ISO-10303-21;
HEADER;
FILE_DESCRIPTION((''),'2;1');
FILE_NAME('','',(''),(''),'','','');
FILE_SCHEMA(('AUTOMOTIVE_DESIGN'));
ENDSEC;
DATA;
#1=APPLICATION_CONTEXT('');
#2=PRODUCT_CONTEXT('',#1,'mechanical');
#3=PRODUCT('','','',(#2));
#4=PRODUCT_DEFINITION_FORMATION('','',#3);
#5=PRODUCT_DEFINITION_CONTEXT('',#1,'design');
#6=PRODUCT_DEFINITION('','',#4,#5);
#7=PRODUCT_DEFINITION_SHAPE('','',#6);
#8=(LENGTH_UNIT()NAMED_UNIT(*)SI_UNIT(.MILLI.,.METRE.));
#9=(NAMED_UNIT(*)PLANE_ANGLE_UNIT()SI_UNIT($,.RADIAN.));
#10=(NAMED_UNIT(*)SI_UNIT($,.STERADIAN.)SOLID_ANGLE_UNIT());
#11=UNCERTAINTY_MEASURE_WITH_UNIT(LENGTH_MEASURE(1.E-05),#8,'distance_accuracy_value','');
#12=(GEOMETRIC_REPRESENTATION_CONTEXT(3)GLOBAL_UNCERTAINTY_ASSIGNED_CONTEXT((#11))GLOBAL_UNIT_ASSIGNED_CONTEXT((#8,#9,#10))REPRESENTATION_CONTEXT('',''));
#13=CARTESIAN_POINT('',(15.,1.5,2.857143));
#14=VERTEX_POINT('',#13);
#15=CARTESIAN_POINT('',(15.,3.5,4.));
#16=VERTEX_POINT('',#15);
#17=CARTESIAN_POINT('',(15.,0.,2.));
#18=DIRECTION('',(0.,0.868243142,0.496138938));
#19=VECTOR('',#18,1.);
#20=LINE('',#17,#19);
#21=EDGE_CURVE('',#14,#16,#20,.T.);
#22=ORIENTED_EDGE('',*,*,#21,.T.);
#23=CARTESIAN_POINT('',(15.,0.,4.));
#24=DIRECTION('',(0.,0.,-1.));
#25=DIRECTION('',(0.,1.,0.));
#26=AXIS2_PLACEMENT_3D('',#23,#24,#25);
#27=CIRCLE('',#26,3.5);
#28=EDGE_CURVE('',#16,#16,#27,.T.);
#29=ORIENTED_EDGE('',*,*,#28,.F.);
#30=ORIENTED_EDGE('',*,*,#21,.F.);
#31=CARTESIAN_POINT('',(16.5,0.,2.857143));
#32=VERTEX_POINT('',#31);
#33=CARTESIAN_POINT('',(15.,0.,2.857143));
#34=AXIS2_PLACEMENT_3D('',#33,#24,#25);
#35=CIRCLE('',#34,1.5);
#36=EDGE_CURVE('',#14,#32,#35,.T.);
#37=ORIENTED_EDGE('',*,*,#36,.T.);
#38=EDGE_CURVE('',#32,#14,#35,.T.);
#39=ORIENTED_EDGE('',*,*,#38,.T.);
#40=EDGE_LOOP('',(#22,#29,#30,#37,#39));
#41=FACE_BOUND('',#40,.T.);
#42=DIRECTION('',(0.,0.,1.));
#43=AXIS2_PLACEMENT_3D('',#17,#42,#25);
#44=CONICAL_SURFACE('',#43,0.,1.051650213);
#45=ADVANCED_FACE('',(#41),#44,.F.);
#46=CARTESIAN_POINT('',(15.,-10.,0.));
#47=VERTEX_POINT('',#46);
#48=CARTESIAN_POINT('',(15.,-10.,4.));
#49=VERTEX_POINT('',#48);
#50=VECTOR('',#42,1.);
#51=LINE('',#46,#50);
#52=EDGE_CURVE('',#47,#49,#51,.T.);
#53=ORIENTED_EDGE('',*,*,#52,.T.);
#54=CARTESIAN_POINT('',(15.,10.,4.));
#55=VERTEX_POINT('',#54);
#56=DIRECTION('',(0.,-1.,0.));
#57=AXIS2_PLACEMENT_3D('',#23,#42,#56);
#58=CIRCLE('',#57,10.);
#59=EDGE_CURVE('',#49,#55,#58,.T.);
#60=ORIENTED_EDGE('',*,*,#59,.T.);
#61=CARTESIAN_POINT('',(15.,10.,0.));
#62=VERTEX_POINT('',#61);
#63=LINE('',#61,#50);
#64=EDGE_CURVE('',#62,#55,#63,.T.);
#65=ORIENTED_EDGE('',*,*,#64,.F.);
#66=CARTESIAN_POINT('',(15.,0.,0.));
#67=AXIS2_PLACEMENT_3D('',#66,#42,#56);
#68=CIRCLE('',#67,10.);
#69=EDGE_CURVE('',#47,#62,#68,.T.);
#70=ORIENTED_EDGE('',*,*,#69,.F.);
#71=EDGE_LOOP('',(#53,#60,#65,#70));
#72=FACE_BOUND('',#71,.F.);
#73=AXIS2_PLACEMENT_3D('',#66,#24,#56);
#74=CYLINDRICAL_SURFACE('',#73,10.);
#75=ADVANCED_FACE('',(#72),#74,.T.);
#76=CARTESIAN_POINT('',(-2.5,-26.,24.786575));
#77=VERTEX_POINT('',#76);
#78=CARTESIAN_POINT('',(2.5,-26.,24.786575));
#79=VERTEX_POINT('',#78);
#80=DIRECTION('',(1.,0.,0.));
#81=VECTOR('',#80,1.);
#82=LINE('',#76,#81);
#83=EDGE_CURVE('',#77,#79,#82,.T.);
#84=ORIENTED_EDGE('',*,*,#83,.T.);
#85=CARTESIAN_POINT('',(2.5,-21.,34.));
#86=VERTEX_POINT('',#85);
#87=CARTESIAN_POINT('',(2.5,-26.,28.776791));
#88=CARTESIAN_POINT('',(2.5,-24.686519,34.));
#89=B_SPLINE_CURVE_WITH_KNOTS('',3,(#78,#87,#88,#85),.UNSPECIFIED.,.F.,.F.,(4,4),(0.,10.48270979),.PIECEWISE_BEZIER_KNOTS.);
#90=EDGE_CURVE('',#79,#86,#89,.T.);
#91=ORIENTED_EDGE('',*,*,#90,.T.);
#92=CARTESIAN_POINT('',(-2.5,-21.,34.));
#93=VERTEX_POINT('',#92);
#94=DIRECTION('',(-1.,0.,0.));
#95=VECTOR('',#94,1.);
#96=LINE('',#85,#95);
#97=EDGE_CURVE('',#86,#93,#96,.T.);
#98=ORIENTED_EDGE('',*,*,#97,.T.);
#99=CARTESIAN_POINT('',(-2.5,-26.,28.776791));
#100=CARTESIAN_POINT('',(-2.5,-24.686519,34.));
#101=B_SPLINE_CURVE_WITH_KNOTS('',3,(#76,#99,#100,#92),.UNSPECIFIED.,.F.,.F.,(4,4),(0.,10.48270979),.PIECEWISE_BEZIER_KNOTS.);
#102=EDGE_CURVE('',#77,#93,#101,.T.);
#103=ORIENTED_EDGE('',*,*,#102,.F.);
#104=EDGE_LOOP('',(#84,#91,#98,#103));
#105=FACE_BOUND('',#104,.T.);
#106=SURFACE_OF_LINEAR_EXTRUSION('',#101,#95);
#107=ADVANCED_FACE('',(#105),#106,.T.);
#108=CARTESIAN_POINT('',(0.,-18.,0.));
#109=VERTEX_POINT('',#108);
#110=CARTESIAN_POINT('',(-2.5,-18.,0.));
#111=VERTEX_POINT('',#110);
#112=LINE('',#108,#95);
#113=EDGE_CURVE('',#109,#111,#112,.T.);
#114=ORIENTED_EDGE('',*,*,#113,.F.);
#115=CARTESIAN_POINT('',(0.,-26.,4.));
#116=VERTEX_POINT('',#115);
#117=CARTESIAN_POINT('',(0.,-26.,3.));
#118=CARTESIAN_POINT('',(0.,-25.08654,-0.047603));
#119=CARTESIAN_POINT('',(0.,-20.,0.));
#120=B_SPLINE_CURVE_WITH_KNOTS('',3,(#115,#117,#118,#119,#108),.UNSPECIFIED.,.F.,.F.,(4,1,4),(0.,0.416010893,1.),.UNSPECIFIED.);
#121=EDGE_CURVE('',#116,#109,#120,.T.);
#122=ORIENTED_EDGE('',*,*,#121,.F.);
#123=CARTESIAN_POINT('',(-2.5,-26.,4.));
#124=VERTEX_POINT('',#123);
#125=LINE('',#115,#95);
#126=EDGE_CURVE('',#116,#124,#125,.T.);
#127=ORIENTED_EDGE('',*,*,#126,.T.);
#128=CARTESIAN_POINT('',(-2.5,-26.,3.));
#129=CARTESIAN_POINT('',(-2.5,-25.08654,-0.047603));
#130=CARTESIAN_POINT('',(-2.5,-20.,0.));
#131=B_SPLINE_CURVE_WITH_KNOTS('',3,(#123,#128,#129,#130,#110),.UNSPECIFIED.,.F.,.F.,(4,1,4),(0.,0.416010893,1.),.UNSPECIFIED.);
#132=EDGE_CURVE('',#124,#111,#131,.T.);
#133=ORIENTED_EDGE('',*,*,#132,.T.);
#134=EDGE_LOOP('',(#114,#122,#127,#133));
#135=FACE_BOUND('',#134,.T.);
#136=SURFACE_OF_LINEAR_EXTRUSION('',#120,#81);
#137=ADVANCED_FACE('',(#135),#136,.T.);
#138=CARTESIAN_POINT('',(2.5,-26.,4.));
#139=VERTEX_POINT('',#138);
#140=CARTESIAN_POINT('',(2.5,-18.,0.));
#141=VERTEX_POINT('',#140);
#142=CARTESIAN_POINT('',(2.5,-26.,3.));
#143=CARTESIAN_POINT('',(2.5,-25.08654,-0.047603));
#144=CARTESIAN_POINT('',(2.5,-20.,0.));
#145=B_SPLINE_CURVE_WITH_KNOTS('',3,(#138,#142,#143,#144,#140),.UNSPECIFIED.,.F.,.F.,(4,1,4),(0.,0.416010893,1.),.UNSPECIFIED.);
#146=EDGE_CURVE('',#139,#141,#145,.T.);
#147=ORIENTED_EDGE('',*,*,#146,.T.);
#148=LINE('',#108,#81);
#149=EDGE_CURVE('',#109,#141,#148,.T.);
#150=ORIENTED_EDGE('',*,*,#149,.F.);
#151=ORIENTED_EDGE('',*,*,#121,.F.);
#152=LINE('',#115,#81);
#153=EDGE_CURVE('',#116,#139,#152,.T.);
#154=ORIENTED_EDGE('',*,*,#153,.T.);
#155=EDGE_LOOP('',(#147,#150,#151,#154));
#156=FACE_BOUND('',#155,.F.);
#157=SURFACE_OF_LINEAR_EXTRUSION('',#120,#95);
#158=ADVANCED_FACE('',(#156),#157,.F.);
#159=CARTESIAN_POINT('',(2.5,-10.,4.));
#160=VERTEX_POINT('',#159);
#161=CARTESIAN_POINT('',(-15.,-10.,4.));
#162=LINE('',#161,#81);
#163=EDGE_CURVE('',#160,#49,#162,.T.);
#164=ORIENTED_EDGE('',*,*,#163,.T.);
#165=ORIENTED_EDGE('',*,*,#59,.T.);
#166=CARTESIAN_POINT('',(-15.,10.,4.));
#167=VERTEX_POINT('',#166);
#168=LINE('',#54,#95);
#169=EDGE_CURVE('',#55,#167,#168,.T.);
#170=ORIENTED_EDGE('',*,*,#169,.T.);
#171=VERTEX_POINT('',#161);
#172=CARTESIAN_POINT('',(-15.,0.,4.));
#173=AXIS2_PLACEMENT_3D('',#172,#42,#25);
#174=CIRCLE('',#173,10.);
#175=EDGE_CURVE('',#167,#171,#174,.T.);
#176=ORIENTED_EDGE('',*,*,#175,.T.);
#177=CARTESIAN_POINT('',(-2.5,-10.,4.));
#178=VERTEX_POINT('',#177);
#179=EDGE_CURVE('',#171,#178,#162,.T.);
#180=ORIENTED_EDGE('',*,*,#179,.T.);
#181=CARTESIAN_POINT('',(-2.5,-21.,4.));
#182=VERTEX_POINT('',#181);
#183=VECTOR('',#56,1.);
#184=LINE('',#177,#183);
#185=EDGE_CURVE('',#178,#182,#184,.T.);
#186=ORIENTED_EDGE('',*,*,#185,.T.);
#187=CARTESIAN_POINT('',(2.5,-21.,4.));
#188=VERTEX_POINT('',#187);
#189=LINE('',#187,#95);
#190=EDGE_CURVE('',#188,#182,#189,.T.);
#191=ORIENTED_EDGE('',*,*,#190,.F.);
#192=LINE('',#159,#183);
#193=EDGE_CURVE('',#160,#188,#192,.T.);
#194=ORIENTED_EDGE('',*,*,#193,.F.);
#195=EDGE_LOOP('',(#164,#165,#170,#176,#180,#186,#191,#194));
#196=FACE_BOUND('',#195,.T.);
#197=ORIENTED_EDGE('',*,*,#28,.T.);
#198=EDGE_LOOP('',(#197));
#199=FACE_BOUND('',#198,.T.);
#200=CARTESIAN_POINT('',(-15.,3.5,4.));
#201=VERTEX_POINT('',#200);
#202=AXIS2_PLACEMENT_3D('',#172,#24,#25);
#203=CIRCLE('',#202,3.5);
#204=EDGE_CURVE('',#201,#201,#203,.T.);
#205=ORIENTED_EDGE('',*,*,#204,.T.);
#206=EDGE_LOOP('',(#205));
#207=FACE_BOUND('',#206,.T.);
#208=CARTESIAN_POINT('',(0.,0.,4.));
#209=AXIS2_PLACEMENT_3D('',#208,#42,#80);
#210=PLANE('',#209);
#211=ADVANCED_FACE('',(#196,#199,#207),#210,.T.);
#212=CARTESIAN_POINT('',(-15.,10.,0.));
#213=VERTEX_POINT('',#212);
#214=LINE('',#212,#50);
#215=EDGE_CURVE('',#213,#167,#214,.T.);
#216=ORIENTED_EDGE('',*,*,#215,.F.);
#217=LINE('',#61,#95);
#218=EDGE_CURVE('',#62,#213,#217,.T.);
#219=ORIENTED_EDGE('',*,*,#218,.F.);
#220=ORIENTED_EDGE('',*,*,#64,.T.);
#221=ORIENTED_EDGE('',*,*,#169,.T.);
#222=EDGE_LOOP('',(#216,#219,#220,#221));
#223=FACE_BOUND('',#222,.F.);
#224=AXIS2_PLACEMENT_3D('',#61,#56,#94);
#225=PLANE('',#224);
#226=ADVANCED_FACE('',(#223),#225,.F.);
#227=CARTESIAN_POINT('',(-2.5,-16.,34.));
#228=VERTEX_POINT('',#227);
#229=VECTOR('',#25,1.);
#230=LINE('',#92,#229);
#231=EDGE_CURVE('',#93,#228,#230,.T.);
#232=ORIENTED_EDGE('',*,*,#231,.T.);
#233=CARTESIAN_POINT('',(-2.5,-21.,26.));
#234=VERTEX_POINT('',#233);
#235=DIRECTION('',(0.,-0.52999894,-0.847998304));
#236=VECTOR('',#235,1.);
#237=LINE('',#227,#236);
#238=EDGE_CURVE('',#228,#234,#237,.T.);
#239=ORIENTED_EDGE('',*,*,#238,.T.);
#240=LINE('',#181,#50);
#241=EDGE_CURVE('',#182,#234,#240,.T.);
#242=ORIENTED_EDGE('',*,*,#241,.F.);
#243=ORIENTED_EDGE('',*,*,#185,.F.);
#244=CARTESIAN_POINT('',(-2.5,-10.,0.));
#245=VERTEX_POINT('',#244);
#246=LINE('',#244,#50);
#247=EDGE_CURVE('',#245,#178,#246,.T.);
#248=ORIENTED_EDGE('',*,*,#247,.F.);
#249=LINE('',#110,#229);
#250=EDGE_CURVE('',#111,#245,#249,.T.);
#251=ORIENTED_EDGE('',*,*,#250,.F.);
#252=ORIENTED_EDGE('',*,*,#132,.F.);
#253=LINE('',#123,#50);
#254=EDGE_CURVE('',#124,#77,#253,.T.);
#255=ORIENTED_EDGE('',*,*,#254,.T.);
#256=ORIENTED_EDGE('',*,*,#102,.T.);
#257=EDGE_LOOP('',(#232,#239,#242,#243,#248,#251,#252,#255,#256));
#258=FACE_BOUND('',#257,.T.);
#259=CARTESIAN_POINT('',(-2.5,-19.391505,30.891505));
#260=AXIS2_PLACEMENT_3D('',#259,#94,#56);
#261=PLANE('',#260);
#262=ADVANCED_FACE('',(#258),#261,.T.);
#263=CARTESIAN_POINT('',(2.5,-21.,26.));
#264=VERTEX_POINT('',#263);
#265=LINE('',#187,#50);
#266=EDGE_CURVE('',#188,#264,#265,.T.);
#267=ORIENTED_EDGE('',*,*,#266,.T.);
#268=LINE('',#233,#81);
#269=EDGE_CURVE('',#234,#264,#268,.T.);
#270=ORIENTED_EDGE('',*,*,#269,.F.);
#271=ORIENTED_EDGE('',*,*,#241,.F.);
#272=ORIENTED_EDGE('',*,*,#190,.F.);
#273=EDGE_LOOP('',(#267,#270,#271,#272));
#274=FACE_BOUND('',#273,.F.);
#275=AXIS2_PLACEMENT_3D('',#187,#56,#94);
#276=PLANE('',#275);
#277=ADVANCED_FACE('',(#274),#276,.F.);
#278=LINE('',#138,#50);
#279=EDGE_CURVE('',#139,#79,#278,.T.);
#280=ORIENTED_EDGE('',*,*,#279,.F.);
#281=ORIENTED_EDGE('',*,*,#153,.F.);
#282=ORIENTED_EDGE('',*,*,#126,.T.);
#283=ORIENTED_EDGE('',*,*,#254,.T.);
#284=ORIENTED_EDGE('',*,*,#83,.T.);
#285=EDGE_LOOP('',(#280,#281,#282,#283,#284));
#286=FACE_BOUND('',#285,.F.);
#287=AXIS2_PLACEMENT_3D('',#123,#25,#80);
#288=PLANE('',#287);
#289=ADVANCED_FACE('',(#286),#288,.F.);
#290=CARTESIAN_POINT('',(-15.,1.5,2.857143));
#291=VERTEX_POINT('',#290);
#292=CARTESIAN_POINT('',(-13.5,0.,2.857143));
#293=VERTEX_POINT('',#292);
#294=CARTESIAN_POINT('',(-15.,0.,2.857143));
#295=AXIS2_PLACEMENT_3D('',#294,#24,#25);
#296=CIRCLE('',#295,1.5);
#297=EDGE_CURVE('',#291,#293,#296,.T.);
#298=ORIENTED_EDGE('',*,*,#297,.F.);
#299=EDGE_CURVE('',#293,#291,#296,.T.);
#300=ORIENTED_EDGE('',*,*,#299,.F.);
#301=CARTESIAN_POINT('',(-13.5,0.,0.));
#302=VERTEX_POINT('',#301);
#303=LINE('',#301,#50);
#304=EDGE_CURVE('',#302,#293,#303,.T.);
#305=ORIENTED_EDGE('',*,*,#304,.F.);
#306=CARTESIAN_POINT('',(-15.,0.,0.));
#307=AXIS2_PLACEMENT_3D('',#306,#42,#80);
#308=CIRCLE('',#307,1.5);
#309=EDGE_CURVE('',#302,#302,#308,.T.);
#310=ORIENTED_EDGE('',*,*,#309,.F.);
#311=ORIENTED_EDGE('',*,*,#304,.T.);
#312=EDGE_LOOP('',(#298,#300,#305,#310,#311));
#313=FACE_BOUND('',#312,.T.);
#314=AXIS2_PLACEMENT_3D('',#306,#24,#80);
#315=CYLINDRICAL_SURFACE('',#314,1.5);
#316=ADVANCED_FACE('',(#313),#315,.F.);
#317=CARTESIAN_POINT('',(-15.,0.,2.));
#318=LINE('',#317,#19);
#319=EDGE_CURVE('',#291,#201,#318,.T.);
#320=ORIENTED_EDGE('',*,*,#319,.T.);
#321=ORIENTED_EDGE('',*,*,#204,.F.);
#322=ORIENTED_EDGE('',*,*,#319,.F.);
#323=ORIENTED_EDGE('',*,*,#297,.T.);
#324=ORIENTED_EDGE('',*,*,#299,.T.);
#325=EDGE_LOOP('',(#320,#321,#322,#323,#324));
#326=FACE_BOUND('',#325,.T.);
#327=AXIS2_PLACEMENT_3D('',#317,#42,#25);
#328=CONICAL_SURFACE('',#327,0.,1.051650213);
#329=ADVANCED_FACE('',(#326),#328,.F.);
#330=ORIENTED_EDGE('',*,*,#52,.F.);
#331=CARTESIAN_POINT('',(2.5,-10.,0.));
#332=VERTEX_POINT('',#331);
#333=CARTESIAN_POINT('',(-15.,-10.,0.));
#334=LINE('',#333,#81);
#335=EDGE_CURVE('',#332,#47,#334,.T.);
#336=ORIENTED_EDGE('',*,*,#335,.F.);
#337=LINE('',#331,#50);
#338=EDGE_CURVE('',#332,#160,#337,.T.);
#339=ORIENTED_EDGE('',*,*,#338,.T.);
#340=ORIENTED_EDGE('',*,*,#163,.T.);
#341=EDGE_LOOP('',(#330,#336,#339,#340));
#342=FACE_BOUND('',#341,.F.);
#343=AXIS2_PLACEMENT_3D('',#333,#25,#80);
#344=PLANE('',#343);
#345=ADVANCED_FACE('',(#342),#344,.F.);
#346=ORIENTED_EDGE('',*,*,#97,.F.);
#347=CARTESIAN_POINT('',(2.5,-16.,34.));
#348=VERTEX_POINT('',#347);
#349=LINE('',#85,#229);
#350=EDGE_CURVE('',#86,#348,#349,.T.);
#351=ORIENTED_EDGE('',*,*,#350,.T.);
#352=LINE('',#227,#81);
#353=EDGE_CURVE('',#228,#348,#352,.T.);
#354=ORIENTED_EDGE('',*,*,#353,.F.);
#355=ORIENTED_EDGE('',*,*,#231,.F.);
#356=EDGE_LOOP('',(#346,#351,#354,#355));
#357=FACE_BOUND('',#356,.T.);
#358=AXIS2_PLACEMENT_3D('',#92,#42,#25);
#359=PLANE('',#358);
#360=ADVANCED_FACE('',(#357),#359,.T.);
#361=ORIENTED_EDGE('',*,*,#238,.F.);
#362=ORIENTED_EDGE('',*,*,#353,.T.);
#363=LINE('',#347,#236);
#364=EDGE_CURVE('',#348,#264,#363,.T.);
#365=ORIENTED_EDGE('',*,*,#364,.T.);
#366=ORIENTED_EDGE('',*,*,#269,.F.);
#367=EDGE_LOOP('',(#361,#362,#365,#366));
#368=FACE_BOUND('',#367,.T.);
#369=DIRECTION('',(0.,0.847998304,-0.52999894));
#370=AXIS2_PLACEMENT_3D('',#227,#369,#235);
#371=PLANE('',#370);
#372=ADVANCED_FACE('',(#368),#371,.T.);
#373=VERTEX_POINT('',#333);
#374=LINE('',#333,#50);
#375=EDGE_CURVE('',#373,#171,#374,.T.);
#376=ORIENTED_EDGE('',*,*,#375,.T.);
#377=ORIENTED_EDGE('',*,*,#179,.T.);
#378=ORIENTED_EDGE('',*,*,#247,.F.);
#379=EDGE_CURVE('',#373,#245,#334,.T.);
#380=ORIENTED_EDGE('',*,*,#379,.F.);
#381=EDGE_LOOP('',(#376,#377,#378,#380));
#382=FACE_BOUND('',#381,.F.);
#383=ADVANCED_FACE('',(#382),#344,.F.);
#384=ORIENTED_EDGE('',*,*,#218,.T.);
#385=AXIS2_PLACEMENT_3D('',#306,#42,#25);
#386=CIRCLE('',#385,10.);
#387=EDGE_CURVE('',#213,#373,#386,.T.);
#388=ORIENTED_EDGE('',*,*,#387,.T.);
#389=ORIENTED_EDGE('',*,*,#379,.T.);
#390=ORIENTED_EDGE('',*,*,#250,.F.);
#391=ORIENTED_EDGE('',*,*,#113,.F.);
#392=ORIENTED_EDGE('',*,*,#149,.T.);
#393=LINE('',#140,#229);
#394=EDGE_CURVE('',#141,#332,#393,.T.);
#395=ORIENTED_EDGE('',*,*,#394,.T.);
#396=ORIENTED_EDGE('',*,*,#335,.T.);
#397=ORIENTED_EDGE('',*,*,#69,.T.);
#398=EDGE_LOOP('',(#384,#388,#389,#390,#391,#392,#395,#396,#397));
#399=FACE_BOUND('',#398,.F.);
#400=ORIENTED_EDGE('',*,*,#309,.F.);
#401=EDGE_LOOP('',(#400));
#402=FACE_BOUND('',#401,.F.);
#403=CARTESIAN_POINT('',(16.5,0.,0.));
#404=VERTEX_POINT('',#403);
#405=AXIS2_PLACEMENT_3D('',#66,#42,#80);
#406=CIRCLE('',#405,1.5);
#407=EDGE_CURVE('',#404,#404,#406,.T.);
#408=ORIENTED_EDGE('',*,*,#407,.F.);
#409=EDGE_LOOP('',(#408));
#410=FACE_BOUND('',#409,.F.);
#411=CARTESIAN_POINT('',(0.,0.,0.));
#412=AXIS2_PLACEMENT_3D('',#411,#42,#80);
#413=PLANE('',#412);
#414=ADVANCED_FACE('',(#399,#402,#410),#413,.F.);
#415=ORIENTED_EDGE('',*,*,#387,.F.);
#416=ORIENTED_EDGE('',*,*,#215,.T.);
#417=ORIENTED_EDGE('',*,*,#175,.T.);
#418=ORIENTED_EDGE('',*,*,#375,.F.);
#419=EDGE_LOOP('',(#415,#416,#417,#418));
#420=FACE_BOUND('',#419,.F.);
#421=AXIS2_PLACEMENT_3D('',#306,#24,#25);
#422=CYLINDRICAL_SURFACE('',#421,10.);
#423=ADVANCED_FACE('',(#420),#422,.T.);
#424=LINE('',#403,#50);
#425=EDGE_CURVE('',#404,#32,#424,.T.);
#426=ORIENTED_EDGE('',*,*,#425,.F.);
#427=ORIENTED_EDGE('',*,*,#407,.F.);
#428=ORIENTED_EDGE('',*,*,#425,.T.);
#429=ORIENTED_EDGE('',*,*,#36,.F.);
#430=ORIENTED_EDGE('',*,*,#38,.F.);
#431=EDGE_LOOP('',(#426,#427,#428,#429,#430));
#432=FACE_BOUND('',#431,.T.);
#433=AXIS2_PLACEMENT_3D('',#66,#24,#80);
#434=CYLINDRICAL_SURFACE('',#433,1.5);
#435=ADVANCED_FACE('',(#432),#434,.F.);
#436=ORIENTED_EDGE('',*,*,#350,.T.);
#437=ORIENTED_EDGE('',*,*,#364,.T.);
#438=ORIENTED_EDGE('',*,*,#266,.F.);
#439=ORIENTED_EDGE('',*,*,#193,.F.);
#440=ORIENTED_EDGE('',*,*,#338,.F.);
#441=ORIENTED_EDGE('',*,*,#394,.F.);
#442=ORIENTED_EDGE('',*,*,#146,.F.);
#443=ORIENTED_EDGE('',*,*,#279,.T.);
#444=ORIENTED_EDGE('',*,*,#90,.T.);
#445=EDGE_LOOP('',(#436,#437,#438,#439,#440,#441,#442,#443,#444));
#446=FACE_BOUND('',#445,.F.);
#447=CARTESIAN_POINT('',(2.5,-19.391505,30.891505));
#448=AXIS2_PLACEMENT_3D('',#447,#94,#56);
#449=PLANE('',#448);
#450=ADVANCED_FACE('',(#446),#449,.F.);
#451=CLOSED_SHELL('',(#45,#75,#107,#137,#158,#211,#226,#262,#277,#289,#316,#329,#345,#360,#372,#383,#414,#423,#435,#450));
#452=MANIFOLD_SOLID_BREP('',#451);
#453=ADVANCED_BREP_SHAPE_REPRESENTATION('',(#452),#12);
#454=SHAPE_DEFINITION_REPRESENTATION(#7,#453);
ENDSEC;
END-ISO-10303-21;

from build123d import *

# Parameters (mm, degrees)
F0_R      = 1.5
F1_DEPTH  = 4
F3_DEPTH  = 2.5
F5_DEPTH  = 30
F7_DEPTH  = 5
F14_DEPTH = 5


with BuildPart() as f1:
    # F0 (on Top) → F1 (new body)
    with BuildSketch(Plane.XY):
        with BuildLine():
            Line((15, 10), (-15, 10))
            ThreePointArc((-15, 10), (-25, 0), (-15, -10))
            Line((-15, -10), (15, -10))
            ThreePointArc((15, -10), (25, 0), (15, 10))
        make_face()
        with Locations((-15, 0)):
            Circle(F0_R, mode=Mode.SUBTRACT)
        with Locations((15, 0)):
            Circle(F0_R, mode=Mode.SUBTRACT)
    extrude(amount=F1_DEPTH)

    # F2 (on Right) → F3 (join, symmetric)
    with BuildSketch(Plane.YZ):
        with BuildLine():
            Line((-10, 0), (-10, 4))
            Line((-10, 4), (-26, 4))
            add(Edge.make_bspline(
                [(-26, 4), (-26, 3), (-25.0865402228, -0.0476028537), (-20, 0), (-18, 0)],
                knots=[0, 0, 0, 0, 0.4160108935, 1, 1, 1, 1], degree=3))
            Line((-18, 0), (-10, 0))
        make_face()
    extrude(amount=F3_DEPTH, both=True)

    # F4 (on face) → F5 (join)
    with BuildSketch(Plane.XY.offset(4)):
        Polygon((-2.5, -21), (-2.5, -26), (0, -26), (2.5, -26), (2.5, -21), align=None)
    extrude(amount=F5_DEPTH)

    # F6 (on face) → F7 (cut, through all)
    with BuildSketch(Plane(origin=(-2.5, 0, 0), x_dir=(0, -1, 0), z_dir=(-1, 0, 0))):
        with BuildLine():
            add(Edge.make_bspline(
                [(26, 24.786574766), (26, 28.7767909467), (24.6865190566, 34), (21, 34)],
                knots=[0, 0, 0, 0, 10.48270979, 10.48270979, 10.48270979, 10.48270979], degree=3))
            Line((26, 24.786574766), (26, 34))
            Line((26, 34), (21, 34))
        make_face()
    extrude(amount=-F7_DEPTH, mode=Mode.SUBTRACT)

    # F9 (on plane+point) → F10 (revolve, cut)
    with BuildSketch(Plane.YZ.offset(15)):
        Polygon((3.5, 4), (0, 4), (0, 2), align=None)
    revolve(axis=Axis((15, 0, 3), (0, 0, -1)), mode=Mode.SUBTRACT)

    # F12 (on plane+point) → F13 (revolve, cut)
    with BuildSketch(Plane.YZ.offset(-15)):
        Polygon((3.5, 4), (0, 4), (0, 2), align=None)
    revolve(axis=Axis((-15, 0, 0), (0, 0, -1)), mode=Mode.SUBTRACT)

    # F6 (on face) → F14 (join, through all)
    with BuildSketch(Plane(origin=(-2.5, 0, 0), x_dir=(0, -1, 0), z_dir=(-1, 0, 0))):
        Polygon((21, 26), (21, 34), (16, 34), align=None)
    extrude(amount=-F14_DEPTH)


solid = f1.part
